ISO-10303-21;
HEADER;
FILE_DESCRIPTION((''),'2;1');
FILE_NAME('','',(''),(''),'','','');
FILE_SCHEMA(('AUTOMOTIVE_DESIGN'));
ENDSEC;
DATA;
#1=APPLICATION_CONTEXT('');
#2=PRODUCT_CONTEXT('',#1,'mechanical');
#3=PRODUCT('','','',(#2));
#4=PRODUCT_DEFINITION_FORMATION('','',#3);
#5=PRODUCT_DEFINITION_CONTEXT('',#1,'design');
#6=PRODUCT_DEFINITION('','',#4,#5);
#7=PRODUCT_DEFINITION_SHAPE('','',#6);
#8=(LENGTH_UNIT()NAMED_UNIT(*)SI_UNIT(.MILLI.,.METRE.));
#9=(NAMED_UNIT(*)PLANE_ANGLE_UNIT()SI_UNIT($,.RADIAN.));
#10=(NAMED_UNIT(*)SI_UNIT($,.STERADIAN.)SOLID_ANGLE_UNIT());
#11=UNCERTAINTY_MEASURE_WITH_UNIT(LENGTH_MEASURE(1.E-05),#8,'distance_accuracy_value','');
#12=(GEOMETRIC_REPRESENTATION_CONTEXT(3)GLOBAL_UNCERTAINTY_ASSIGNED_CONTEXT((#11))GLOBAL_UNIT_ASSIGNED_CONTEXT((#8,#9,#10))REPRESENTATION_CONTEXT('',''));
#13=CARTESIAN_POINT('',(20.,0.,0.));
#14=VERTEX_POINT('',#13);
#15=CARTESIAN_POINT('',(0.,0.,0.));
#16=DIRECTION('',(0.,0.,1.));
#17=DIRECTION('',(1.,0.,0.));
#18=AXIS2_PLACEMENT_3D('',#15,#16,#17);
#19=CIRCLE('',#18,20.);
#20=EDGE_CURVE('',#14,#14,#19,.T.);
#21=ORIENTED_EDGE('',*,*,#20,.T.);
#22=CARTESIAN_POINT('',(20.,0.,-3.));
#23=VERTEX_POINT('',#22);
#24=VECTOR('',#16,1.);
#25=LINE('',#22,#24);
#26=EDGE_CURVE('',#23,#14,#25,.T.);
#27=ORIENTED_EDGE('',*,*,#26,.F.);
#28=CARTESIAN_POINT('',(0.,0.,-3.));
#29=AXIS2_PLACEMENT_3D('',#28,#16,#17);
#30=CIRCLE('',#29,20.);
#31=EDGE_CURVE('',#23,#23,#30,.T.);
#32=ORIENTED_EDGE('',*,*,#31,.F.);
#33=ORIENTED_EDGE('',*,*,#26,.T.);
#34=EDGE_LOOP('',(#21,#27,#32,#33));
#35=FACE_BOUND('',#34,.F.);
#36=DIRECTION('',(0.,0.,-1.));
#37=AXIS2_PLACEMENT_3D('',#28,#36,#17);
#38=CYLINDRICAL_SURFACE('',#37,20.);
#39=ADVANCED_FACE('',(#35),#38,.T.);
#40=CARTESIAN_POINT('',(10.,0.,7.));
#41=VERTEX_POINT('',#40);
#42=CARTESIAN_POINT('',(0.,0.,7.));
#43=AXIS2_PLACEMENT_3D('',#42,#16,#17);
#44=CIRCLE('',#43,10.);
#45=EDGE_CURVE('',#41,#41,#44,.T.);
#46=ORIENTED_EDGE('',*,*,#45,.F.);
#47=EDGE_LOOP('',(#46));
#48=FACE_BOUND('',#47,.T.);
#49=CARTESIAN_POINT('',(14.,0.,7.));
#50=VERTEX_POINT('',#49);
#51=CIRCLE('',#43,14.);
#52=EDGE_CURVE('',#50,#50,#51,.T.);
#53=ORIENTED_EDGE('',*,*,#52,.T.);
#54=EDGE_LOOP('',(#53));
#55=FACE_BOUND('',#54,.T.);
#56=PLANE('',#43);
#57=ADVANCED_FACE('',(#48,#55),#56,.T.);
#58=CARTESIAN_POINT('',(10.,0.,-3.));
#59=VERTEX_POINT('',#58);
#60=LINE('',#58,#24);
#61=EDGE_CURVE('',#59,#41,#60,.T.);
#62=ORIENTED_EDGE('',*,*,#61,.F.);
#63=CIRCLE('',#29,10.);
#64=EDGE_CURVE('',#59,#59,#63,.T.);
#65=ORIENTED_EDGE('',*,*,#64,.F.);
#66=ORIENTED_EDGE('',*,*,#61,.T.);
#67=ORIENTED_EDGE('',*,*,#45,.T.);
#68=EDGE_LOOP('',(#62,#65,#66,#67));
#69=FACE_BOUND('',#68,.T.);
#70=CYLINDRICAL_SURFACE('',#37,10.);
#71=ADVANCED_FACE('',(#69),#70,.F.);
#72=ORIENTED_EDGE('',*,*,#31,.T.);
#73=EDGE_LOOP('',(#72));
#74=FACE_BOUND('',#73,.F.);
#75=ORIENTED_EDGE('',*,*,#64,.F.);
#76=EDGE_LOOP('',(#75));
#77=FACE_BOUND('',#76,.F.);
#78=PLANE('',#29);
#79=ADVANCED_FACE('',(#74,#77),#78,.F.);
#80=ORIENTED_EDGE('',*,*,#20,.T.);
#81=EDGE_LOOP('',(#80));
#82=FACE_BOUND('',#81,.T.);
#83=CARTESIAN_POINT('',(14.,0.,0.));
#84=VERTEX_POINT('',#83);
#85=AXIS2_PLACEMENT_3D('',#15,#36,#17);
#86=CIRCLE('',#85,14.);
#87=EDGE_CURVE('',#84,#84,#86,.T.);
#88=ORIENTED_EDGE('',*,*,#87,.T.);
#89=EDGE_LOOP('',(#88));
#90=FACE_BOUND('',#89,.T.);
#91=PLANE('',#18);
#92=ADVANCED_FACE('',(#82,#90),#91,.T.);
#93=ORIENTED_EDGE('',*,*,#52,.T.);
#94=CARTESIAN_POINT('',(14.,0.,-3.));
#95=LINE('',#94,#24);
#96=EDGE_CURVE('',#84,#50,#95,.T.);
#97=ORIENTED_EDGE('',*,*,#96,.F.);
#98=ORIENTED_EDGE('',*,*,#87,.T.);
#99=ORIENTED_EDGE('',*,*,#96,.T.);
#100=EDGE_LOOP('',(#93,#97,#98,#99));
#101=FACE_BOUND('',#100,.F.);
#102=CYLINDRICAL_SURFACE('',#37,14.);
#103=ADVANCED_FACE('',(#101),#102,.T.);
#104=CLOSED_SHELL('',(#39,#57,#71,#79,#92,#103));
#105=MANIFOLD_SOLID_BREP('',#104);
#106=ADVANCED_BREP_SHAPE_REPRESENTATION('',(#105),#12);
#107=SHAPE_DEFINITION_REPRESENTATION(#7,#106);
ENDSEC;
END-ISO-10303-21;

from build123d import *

# Parameters (mm, degrees)
CYLINDER023_R     = 10
CYLINDER023_DEPTH = 10
CYLINDER022_R     = 14
CYLINDER022_DEPTH = 10
CYLINDER021_R     = 20
CYLINDER021_DEPTH = 3


with BuildPart() as cylinder007:
    # Cylinder023 → Cylinder023 (new body)
    with BuildSketch(Plane.XY):
        Circle(CYLINDER023_R)
    extrude(amount=CYLINDER023_DEPTH)


with BuildPart() as cylinder006:
    # Cylinder022 → Cylinder022 (new body)
    with BuildSketch(Plane.XY):
        Circle(CYLINDER022_R)
    extrude(amount=CYLINDER022_DEPTH)


with BuildPart() as cut032:
    # Cylinder021 → Cylinder021 (new body)
    with BuildSketch(Plane.XY):
        Circle(CYLINDER021_R)
    extrude(amount=CYLINDER021_DEPTH)

    # Fusion025: union Cylinder006
    add(cylinder006.part)

    # Cut032: cut Cylinder007
    add(cylinder007.part, mode=Mode.SUBTRACT)


with BuildPart() as cut032_1:
    # Cut032 placement: moved
    add(cut032.part.moved(Location((0, 0, -3))))


solid = cut032_1.part
